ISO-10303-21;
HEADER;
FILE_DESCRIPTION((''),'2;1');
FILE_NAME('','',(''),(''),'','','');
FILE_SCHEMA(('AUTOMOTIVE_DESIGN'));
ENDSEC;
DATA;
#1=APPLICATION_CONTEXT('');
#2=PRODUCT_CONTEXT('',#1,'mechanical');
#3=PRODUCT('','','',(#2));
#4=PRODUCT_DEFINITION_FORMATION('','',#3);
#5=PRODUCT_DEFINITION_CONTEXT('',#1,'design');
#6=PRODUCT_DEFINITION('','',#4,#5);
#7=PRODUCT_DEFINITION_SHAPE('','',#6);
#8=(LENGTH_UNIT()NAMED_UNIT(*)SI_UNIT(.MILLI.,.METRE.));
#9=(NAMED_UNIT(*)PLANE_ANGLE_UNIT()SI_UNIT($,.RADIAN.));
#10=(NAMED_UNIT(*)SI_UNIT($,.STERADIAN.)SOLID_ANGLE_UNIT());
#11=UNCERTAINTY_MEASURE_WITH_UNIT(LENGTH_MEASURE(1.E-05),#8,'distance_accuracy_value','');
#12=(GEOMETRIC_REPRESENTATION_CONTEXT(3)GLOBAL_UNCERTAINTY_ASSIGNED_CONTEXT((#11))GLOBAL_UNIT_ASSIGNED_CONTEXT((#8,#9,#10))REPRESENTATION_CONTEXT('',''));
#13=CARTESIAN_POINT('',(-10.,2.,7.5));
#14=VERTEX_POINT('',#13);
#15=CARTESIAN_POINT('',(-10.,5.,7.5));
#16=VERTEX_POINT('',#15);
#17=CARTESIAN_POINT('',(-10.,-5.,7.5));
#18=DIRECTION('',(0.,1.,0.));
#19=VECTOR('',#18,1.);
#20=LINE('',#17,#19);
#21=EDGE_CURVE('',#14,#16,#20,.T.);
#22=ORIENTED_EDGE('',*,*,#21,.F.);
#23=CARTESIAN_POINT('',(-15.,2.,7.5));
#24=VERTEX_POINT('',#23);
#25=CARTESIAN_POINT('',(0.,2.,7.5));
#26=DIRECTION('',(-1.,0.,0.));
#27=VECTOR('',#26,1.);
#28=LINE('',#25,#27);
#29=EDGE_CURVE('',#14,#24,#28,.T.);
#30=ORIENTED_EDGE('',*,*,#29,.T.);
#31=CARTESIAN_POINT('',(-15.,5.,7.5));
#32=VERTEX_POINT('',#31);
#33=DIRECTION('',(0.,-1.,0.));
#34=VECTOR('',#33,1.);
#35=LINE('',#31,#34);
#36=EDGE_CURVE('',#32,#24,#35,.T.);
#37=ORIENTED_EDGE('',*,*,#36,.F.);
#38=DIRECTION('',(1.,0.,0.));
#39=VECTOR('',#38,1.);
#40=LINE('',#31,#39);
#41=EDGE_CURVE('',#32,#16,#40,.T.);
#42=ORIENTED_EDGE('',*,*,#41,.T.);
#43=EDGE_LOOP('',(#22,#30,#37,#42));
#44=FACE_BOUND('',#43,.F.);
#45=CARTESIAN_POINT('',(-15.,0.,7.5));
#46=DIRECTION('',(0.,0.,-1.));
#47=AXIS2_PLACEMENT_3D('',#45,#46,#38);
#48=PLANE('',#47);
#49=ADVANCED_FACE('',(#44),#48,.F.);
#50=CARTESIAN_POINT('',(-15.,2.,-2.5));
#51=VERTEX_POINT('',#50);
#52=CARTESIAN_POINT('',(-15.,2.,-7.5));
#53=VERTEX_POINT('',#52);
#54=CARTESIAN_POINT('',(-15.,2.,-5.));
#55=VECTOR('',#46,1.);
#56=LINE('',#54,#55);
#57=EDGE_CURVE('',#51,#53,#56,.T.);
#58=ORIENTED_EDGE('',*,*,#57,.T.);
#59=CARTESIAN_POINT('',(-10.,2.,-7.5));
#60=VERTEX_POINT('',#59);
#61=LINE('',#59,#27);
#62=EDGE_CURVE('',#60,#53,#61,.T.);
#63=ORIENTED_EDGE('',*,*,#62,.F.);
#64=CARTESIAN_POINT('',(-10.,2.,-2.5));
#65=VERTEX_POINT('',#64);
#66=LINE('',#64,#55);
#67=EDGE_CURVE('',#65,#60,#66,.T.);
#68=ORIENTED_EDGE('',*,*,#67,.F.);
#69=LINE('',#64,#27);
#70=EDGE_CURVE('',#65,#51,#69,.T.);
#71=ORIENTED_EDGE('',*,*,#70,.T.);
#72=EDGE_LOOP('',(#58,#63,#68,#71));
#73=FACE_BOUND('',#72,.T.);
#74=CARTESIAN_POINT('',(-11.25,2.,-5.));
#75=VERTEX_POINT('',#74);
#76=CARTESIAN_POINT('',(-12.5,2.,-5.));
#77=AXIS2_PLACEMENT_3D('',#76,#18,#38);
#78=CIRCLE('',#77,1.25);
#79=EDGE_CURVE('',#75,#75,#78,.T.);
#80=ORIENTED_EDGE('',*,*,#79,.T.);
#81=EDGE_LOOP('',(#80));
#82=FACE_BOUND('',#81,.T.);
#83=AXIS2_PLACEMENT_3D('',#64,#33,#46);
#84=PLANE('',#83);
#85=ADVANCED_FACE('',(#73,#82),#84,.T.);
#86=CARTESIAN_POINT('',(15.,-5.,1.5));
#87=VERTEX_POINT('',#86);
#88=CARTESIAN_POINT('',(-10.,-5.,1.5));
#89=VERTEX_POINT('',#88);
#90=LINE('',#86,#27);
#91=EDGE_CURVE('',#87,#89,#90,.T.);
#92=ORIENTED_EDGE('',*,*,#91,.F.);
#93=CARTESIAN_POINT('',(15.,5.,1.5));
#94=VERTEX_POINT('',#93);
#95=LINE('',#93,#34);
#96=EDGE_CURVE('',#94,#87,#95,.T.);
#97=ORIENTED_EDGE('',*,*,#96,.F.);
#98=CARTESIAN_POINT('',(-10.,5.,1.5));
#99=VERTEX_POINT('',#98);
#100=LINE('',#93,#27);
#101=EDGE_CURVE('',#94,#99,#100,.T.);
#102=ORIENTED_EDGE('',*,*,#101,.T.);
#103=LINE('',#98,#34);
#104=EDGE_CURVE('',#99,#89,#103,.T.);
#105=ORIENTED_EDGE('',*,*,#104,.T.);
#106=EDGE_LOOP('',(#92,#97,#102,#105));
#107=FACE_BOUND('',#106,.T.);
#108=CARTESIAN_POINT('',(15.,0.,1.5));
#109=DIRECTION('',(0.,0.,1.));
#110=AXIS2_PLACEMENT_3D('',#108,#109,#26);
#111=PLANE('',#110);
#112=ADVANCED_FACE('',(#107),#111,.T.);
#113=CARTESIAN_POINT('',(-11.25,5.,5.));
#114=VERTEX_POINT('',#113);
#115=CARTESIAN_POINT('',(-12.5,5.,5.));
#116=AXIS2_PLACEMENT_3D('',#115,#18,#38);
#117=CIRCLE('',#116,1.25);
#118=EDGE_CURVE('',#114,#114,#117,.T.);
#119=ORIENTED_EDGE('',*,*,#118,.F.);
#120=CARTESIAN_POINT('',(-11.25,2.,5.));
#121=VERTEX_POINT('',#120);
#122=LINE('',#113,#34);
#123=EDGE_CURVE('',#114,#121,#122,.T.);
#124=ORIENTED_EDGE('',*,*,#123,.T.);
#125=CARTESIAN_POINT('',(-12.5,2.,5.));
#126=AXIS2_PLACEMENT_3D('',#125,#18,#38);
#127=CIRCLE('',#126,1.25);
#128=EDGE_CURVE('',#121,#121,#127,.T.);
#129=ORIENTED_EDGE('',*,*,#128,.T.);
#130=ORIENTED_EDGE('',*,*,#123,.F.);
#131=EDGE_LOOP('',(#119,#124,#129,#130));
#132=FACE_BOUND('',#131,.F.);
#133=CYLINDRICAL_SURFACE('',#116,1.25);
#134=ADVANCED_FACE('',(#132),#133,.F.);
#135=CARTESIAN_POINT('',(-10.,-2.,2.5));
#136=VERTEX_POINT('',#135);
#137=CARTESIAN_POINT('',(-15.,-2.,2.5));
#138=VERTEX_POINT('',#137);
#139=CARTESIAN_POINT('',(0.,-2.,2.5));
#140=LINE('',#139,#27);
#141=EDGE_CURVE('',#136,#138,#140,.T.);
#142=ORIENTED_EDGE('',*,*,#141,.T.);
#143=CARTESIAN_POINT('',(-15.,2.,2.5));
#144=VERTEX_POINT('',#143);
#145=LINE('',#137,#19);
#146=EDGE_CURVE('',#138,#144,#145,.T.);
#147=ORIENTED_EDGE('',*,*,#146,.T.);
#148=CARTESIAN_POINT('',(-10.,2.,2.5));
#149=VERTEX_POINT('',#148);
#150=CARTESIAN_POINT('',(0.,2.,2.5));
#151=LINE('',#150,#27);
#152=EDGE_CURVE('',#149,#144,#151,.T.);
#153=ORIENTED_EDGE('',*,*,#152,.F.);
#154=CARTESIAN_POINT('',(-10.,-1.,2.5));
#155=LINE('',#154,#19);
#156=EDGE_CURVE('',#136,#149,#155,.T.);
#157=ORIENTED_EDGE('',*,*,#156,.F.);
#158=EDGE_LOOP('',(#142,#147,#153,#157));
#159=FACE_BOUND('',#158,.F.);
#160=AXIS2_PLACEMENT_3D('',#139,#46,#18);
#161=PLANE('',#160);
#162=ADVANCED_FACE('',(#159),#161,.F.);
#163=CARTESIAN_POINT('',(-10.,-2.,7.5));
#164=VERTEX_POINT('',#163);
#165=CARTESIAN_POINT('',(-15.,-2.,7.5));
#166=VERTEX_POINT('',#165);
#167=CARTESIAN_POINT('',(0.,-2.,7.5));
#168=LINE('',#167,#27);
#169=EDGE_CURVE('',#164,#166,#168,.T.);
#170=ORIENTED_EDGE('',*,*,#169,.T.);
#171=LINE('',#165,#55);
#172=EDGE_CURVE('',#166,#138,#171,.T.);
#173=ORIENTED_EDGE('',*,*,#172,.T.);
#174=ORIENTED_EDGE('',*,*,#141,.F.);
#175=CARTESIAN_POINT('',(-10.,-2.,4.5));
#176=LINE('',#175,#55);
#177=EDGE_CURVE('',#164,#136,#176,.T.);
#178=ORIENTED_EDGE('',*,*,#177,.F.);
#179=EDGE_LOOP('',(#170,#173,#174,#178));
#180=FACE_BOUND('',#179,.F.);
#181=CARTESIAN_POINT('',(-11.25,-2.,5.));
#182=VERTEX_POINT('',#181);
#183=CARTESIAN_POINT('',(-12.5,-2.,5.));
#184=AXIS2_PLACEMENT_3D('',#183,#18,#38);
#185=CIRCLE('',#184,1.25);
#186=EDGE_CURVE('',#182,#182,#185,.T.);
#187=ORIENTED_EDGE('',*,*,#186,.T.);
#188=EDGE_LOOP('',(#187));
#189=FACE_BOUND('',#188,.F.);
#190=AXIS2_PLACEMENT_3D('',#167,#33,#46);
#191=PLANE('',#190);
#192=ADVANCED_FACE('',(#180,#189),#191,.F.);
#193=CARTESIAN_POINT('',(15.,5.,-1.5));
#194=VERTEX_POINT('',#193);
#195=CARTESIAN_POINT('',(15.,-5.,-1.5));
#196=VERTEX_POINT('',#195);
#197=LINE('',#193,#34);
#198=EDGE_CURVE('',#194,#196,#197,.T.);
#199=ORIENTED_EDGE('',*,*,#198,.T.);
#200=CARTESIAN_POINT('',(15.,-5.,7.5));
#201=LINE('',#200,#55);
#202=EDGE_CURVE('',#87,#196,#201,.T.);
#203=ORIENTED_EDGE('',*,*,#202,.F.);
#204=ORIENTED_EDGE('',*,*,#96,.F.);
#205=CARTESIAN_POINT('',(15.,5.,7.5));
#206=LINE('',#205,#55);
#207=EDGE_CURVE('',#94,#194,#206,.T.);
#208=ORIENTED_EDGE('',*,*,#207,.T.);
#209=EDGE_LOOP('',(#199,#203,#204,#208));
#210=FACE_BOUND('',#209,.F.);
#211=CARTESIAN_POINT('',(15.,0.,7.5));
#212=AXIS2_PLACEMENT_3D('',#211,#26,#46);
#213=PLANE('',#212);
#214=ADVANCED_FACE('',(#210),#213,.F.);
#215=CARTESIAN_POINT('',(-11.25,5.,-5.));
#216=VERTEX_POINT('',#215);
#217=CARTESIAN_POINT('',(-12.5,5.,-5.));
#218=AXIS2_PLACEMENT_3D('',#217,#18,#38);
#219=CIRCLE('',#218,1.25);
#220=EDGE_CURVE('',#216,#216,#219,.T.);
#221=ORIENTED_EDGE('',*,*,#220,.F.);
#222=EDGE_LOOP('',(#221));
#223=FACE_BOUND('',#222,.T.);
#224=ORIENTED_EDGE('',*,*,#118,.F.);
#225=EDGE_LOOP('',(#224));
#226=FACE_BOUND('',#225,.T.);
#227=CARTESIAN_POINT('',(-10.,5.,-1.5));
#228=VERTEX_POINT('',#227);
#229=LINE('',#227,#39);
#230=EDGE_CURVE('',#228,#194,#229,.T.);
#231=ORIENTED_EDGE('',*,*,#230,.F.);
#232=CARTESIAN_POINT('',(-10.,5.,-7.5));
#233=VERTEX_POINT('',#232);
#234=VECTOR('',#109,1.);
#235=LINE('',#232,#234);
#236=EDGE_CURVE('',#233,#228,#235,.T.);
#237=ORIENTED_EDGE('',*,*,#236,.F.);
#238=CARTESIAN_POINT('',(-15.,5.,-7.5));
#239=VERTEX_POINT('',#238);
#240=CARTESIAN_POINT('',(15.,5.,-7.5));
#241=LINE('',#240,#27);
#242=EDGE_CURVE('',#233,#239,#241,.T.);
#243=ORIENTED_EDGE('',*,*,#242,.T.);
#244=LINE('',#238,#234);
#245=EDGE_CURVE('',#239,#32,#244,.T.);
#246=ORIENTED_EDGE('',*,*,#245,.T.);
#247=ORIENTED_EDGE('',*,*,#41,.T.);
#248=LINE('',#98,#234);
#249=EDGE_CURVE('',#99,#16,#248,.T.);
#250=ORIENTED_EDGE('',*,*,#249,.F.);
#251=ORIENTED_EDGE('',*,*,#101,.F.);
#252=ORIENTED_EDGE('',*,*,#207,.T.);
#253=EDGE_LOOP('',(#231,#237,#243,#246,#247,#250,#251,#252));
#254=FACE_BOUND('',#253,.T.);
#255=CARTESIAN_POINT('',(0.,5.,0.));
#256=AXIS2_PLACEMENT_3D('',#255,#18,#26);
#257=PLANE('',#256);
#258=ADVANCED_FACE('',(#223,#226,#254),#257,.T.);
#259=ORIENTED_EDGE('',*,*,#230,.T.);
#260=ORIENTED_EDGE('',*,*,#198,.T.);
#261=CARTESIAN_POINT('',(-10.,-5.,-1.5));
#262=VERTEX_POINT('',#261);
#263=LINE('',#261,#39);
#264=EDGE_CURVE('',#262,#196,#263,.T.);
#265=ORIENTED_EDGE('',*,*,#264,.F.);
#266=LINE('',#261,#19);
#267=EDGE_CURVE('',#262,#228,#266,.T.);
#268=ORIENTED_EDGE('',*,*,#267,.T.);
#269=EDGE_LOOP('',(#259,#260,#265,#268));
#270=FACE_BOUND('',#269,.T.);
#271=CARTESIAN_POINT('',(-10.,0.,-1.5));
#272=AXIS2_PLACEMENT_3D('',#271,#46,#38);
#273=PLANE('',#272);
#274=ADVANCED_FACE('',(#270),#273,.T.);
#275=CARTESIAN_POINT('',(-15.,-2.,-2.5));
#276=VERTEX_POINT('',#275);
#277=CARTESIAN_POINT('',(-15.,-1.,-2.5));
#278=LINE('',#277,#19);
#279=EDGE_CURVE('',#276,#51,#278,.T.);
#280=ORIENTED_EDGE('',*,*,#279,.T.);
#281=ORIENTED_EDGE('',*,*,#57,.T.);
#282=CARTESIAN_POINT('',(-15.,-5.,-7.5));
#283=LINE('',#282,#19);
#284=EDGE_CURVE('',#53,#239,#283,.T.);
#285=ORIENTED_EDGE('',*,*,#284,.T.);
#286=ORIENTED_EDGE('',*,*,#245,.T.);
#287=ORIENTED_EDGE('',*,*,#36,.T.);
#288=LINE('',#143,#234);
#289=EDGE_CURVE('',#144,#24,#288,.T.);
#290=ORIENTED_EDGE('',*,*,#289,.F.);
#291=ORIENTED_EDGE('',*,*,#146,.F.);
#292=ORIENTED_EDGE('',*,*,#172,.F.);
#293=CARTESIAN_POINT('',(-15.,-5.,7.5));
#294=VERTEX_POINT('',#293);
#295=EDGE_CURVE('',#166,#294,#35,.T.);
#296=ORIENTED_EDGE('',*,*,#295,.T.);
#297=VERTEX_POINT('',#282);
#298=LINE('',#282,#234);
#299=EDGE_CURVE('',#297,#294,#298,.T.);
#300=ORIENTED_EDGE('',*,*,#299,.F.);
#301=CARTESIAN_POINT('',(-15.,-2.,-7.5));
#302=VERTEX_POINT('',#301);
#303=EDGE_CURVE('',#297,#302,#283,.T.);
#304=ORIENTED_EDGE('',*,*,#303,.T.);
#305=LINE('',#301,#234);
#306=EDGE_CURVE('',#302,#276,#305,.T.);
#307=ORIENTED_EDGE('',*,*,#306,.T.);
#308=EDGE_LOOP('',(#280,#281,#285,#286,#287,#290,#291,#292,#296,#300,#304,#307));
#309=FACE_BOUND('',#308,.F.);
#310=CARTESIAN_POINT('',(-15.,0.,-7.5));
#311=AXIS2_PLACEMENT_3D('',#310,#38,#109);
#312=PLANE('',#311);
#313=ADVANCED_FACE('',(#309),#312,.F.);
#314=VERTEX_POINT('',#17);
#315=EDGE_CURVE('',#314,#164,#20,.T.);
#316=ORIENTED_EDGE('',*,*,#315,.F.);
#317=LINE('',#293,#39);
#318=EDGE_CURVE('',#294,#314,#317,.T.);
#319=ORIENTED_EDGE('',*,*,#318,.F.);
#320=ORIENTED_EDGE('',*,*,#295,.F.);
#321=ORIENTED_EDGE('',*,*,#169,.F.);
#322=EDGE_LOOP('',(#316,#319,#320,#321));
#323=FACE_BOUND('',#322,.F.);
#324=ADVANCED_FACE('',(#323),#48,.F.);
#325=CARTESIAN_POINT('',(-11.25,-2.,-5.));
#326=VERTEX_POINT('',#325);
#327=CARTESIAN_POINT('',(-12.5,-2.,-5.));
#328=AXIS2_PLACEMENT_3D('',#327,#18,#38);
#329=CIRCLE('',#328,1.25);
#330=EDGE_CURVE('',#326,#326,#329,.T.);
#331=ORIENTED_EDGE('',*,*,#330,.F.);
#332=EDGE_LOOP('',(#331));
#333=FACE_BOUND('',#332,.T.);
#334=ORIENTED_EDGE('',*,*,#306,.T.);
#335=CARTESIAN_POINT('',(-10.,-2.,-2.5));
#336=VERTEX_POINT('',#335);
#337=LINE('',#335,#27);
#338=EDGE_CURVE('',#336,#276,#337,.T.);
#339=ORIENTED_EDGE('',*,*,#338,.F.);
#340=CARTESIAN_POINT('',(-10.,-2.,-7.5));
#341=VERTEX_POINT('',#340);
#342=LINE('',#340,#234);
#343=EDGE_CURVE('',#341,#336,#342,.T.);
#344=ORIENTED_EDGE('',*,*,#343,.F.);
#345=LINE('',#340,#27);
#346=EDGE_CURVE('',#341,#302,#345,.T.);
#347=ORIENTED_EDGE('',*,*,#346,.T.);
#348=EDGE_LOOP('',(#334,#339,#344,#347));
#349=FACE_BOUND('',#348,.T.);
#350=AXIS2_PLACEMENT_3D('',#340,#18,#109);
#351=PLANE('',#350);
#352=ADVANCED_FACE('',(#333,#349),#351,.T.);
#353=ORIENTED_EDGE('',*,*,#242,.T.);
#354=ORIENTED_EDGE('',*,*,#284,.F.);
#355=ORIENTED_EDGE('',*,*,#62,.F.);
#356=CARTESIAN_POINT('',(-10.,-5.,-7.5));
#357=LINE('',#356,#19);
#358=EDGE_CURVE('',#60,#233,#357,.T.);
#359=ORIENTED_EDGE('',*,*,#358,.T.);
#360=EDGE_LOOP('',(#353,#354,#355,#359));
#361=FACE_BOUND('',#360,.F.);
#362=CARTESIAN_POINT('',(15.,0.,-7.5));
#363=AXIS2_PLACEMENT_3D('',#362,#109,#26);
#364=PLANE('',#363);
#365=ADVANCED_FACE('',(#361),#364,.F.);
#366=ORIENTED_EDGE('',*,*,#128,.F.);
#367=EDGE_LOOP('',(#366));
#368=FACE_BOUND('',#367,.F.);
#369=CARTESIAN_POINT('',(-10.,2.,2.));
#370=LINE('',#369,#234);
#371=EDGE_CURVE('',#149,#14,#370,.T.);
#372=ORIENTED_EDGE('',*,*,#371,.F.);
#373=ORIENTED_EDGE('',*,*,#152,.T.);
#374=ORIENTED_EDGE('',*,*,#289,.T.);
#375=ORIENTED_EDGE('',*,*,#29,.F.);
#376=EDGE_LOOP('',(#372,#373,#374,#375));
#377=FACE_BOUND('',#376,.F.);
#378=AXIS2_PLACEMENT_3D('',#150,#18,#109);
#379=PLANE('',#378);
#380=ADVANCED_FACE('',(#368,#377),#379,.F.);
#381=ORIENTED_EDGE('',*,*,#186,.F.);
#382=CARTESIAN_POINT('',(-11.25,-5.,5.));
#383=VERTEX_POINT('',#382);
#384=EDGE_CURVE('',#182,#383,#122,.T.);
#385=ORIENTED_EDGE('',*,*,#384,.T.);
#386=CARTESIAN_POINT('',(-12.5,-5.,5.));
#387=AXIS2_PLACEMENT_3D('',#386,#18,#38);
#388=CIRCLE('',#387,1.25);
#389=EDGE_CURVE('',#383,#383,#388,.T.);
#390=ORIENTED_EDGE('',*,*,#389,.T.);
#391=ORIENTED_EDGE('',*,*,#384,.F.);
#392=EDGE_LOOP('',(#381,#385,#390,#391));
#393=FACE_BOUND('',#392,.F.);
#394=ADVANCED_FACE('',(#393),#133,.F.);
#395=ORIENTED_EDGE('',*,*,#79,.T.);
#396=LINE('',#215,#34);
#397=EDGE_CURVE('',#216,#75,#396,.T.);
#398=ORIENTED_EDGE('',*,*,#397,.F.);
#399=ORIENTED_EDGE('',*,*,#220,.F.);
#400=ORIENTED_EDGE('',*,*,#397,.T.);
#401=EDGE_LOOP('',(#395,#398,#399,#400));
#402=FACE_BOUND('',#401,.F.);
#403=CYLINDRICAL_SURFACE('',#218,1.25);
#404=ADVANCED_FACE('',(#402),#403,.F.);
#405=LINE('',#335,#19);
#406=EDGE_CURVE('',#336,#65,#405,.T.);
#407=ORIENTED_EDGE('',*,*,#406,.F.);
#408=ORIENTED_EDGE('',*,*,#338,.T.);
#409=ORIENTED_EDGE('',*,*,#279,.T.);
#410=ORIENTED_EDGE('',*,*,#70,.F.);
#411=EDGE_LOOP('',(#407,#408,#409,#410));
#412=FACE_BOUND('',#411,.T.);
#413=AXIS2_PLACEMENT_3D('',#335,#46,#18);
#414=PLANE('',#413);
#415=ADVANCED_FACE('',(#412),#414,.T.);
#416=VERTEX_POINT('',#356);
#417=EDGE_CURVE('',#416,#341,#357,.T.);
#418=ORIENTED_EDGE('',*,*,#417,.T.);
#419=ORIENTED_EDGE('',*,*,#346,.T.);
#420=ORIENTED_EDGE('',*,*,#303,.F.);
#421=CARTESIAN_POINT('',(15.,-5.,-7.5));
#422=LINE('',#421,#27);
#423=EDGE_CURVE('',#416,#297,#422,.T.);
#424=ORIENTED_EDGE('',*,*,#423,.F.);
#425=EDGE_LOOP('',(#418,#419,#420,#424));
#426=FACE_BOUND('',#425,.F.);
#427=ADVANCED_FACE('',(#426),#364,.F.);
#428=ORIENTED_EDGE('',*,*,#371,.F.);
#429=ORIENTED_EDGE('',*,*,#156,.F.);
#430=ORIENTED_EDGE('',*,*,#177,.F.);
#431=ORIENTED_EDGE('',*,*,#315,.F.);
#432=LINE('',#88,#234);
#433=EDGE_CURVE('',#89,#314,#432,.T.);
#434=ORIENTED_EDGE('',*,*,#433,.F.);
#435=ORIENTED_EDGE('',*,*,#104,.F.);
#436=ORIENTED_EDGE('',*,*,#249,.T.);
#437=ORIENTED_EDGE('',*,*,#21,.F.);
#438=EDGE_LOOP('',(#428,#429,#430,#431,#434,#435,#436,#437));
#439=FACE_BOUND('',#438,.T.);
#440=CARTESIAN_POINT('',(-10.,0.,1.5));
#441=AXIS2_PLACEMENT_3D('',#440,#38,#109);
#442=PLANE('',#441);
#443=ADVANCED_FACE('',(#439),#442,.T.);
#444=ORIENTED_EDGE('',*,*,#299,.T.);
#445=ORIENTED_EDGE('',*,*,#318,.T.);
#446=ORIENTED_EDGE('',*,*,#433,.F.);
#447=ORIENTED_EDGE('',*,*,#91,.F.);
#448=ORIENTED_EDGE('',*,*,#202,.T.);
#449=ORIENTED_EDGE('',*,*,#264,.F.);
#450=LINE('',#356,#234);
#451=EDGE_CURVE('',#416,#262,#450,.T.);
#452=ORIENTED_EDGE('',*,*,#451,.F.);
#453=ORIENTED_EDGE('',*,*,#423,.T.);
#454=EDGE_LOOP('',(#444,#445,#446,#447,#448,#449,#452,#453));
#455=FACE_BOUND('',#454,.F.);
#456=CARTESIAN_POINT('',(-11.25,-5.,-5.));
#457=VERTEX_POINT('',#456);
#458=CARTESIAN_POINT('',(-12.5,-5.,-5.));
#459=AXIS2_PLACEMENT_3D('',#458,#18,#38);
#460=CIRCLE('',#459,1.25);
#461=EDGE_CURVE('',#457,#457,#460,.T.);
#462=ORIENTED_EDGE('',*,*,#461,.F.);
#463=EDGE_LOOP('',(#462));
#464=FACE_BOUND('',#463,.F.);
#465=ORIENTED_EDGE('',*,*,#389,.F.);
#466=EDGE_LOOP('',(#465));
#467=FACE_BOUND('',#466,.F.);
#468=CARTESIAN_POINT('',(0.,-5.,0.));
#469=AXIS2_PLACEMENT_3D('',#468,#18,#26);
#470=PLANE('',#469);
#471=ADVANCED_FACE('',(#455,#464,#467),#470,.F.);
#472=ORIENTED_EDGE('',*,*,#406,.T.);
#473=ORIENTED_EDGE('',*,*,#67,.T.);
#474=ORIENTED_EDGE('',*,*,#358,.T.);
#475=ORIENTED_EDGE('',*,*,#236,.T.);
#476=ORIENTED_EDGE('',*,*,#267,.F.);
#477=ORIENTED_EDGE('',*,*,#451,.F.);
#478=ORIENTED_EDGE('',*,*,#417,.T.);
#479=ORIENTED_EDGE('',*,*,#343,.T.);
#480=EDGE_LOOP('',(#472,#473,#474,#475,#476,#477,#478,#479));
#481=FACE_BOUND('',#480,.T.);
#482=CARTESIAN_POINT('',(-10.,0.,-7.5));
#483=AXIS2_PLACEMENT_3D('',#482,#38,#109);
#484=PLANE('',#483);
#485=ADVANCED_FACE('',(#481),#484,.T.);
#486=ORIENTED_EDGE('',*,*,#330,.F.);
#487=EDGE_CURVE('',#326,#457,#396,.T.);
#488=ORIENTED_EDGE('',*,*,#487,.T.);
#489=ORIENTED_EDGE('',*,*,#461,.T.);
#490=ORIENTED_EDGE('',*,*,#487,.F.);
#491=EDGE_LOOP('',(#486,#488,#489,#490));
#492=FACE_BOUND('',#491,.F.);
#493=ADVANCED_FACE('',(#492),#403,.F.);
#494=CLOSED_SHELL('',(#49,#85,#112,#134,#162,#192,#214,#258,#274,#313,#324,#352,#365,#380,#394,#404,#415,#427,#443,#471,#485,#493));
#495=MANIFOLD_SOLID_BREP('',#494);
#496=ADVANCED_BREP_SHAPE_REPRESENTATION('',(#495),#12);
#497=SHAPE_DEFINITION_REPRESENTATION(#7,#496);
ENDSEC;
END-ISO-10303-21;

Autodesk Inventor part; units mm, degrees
ref_plane "YZ Plane" through (0, 0, 0) normal (1, 0, 0) x (0, 1, 0)
ref_plane "XZ Plane" through (0, 0, 0) normal (0, 1, 0) x (-1, 0, 0)
ref_plane "XY Plane" through (0, 0, 0) normal (0, 0, 1) x (1, 0, 0)
sketch "スケッチ1" plane through (0, 0, 0) normal (0, 1, 0) x (-1, 0, 0)
  line L0 (-15, -7.5) -> (15, -7.5)
  line L1 (15, -7.5) -> (15, 7.5)
  line L2 (15, 7.5) -> (-15, 7.5)
  line L3 (-15, 7.5) -> (-15, -7.5)
  line L4 (-15, -7.5) -> (15, 7.5) construction
  line L5 (15, -7.5) -> (-15, 7.5) construction
  point P0 (0, 0)
  dimension "d0" = 30
  dimension "d1" = 15
extrude "押し出し1" add sketch "スケッチ1" along normal mid plane 10
sketch "スケッチ2" plane through (0, 0, 0) normal (0, 1, 0) x (-1, 0, 0)
  line L0 (15, 7.5) -> (-15, 7.5) projected
  line L1 (10, 7.5) -> (-15, 7.5)
  line L2 (-15, 7.5) -> (-15, 1.5)
  line L3 (-15, 1.5) -> (10, 1.5)
  line L4 (10, 1.5) -> (10, 7.5)
  point P0 (0, 0)
  dimension "d4" = 25
  dimension "d5" = 6
  dimension "d6" = 5
extrude "押し出し2" cut sketch "スケッチ2" along normal mid plane 10
sketch "スケッチ3" plane through (0, 0, 0) normal (0, 1, 0) x (-1, 0, 0)
  line L0 (15, -7.5) -> (-15, -7.5) projected
  line L1 (-15, -7.5) -> (10, -7.5)
  line L2 (10, -7.5) -> (10, -1.5)
  line L3 (10, -1.5) -> (-15, -1.5)
  line L4 (-15, -1.5) -> (-15, -7.5)
  point P0 (0, 0)
  dimension "d9" = 25
  dimension "d10" = 6
extrude "押し出し3" cut sketch "スケッチ3" along normal mid plane 10
sketch "スケッチ4" plane through (0, 0, 0) normal (1, 0, 0) x (0, 1, 0)
  line L0 (2, 7.5) -> (-2, 7.5)
  line L1 (-2, 7.5) -> (-2, 2.5)
  line L2 (-2, 2.5) -> (2, 2.5)
  line L3 (2, 2.5) -> (2, 7.5)
  point P0 (0, 0)
  dimension "d13" = 4
  dimension "d14" = 5
  dimension "d15" = 2
  dimension "d16" = 7.5
extrude "押し出し4" cut sketch "スケッチ4" against normal blind 15
sketch "スケッチ6" plane through (0, 5, 0) normal (0, 1, 0) x (1, 0, 0)
  circle A0 centre (-12.5, -5) radius 1.25
  line L0 (-15, -7.5) -> (-10, -7.5) projected
  point P0 (0, 0)
  dimension "d23" = 2.5
  dimension "d24" = 2.5
extrude "押し出し5" cut sketch "スケッチ6" against normal blind 15
sketch "スケッチ7" plane through (0, 5, 0) normal (0, 1, 0) x (1, 0, 0)
  circle A0 centre (-12.5, 5) radius 1.25
  line L0 (-10, 7.5) -> (-15, 7.5) projected
  line L1 (-15, 7.5) -> (-15, -7.5) projected
  point P0 (0, 0)
  dimension "d27" = 2.5
  dimension "d28" = 2.5
extrude "押し出し6" cut sketch "スケッチ7" against normal blind 15
sketch "スケッチ8" plane through (-10, -5, -1.5) normal (1, 0, 0) x (0, 0, -1)
  line L0 (1, 7) -> (6, 7)
  line L1 (6, 7) -> (6, 3)
  line L2 (6, 3) -> (1, 3)
  line L3 (1, 3) -> (1, 7)
  point P0 (-1.5, 5)
  dimension "d32" = 5
  dimension "d33" = 4
  dimension "d34" = 7.5
  dimension "d35" = 2
extrude "押し出し7" cut sketch "スケッチ8" against normal blind 15
properties part number "promo_hold"
